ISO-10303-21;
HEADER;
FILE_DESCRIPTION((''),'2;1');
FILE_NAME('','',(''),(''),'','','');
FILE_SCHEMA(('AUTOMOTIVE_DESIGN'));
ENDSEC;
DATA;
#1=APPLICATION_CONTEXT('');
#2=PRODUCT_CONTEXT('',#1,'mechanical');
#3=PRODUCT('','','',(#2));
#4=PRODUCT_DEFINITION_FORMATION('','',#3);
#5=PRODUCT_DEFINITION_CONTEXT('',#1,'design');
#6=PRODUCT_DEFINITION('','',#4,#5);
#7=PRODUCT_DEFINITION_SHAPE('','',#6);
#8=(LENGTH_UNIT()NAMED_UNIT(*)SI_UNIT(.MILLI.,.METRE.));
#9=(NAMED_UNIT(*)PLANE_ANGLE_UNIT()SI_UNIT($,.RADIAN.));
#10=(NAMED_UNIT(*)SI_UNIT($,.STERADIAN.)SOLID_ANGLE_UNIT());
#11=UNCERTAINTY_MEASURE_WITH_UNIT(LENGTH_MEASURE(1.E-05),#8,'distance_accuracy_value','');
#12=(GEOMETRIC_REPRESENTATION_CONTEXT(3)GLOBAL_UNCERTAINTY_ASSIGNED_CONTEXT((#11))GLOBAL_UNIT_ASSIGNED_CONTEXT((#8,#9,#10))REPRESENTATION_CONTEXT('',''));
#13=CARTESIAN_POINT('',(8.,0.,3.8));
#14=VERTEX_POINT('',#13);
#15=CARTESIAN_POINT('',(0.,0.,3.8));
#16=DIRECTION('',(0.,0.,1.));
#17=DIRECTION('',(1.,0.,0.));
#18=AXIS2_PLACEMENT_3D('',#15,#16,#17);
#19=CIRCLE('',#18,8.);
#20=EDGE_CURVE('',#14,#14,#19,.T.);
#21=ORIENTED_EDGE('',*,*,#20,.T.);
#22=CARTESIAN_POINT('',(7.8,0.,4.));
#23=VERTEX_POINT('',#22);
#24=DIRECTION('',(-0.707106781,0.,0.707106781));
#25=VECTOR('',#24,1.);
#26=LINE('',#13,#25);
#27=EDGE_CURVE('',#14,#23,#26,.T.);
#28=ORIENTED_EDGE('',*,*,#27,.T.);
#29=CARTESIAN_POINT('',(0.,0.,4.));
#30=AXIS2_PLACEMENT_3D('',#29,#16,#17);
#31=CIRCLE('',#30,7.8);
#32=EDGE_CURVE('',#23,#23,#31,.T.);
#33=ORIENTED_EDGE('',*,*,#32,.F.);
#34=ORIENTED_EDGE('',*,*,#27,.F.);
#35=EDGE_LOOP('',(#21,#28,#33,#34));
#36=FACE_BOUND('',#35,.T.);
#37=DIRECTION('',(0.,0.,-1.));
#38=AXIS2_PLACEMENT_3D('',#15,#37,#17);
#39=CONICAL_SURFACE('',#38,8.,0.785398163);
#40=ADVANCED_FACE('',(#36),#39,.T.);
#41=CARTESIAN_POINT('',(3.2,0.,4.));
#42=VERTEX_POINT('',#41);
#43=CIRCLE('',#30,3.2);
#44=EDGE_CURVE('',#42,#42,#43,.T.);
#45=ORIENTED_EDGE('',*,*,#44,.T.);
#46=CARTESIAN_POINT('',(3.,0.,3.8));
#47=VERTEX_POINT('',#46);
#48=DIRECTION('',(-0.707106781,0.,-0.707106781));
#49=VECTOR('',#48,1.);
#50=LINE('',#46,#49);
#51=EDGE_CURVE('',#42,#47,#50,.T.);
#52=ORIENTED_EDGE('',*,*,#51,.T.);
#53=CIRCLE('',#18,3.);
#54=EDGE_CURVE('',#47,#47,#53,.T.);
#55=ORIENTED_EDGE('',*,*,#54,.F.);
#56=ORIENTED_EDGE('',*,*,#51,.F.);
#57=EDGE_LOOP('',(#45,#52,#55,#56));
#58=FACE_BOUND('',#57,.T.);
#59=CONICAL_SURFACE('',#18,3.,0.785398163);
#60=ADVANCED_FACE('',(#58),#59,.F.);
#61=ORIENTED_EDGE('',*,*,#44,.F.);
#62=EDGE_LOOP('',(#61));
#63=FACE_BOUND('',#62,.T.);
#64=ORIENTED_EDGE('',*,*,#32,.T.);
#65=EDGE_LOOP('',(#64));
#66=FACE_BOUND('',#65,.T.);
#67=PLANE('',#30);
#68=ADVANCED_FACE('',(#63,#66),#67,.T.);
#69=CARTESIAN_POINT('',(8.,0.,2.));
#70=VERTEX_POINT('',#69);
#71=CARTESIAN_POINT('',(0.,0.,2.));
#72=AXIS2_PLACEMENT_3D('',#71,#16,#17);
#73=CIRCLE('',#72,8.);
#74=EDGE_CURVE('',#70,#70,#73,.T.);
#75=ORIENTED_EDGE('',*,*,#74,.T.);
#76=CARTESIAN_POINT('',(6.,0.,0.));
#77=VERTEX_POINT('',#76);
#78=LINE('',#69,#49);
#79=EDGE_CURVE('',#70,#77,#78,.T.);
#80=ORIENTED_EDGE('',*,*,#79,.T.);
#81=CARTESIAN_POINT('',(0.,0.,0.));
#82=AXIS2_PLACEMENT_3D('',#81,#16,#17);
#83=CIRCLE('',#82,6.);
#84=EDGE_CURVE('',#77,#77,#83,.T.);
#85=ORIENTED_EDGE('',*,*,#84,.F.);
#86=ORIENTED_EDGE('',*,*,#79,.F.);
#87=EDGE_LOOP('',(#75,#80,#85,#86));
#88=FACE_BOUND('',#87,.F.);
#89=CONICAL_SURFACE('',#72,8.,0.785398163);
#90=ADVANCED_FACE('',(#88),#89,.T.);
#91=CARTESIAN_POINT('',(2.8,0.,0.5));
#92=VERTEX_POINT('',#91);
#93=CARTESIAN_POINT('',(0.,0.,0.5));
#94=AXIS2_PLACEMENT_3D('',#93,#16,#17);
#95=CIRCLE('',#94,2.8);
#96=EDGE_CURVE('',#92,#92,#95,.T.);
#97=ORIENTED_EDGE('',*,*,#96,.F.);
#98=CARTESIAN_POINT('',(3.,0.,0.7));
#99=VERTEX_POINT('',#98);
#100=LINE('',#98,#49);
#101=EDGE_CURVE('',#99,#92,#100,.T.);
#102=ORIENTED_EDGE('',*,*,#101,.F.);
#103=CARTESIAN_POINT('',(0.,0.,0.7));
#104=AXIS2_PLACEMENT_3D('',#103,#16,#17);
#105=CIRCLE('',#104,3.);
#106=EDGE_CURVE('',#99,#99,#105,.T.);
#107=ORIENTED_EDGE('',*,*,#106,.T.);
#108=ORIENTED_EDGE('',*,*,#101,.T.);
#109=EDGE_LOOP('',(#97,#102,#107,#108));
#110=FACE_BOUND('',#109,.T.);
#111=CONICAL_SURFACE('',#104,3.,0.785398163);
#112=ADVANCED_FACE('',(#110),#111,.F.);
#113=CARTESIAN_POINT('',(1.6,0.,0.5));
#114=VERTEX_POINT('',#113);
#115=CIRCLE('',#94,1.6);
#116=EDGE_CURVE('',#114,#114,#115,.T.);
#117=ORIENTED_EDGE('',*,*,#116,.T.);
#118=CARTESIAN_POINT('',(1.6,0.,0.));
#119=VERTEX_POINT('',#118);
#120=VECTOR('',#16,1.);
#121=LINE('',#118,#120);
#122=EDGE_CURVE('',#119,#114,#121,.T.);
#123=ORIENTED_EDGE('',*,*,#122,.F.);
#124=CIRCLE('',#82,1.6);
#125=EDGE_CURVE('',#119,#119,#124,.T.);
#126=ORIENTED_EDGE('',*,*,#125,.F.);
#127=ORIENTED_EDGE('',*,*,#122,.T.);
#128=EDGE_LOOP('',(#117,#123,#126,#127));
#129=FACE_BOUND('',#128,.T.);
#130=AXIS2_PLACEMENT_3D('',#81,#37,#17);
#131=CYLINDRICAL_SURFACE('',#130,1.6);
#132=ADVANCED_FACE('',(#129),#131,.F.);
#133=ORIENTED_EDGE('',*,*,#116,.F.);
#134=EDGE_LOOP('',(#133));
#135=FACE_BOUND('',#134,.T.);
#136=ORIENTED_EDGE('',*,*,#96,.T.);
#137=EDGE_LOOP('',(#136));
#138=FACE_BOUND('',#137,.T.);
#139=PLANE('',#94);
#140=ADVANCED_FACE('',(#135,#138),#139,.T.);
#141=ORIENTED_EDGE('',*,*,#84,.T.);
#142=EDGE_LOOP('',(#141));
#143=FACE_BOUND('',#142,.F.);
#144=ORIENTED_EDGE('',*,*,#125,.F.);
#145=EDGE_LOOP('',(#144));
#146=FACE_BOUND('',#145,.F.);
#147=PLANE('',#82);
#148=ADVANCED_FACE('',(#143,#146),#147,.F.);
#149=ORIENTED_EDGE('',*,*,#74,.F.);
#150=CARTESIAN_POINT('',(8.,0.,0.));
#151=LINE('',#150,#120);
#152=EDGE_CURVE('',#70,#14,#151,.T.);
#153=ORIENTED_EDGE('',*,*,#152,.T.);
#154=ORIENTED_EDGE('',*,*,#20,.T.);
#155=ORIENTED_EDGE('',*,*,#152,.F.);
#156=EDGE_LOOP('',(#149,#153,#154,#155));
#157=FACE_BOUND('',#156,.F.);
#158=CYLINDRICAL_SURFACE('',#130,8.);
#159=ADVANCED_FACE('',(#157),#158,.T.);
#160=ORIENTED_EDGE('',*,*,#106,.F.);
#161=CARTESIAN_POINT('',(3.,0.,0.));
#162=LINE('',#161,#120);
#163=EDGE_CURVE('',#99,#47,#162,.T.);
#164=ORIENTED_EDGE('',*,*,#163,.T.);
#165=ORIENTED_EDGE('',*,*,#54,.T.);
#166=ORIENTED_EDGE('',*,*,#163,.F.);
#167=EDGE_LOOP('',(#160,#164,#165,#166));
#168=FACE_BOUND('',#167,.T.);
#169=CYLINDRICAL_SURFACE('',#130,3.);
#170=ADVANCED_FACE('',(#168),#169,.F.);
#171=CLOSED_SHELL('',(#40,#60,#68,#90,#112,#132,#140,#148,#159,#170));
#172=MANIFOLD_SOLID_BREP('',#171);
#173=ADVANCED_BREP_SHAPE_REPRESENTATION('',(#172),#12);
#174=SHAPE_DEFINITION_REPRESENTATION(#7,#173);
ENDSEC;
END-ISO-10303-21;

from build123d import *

# Parameters (mm, degrees)
F0_R     = 3
F0_R_2   = 1.6
F1_DEPTH = 0.5
F0_R_3   = 8
F2_DEPTH = 4
F3_SIZE  = 2
F4_SIZE  = 0.2


with BuildPart() as f1:
    # F0 (on Top) → F1 (new body)
    with BuildSketch(Plane.XY):
        Circle(F0_R)
        Circle(F0_R_2, mode=Mode.SUBTRACT)
    extrude(amount=F1_DEPTH)

    # F0 (on Top) → F2 (join)
    with BuildSketch(Plane.XY):
        Circle(F0_R_3)
        Circle(F0_R, mode=Mode.SUBTRACT)
    extrude(amount=F2_DEPTH)

    # F3
    f3_edges = [f1.edges().sort_by_distance(p)[0] for p in [
        (-8, 0, 0),
    ]]
    chamfer(f3_edges, length=F3_SIZE)

    # F4
    f4_edges = [f1.edges().sort_by_distance(p)[0] for p in [
        (-8, 0, 4),
        (-3, 0, 4),
        (-3, 0, 0.5),
    ]]
    chamfer(f4_edges, length=F4_SIZE)


solid = f1.part
